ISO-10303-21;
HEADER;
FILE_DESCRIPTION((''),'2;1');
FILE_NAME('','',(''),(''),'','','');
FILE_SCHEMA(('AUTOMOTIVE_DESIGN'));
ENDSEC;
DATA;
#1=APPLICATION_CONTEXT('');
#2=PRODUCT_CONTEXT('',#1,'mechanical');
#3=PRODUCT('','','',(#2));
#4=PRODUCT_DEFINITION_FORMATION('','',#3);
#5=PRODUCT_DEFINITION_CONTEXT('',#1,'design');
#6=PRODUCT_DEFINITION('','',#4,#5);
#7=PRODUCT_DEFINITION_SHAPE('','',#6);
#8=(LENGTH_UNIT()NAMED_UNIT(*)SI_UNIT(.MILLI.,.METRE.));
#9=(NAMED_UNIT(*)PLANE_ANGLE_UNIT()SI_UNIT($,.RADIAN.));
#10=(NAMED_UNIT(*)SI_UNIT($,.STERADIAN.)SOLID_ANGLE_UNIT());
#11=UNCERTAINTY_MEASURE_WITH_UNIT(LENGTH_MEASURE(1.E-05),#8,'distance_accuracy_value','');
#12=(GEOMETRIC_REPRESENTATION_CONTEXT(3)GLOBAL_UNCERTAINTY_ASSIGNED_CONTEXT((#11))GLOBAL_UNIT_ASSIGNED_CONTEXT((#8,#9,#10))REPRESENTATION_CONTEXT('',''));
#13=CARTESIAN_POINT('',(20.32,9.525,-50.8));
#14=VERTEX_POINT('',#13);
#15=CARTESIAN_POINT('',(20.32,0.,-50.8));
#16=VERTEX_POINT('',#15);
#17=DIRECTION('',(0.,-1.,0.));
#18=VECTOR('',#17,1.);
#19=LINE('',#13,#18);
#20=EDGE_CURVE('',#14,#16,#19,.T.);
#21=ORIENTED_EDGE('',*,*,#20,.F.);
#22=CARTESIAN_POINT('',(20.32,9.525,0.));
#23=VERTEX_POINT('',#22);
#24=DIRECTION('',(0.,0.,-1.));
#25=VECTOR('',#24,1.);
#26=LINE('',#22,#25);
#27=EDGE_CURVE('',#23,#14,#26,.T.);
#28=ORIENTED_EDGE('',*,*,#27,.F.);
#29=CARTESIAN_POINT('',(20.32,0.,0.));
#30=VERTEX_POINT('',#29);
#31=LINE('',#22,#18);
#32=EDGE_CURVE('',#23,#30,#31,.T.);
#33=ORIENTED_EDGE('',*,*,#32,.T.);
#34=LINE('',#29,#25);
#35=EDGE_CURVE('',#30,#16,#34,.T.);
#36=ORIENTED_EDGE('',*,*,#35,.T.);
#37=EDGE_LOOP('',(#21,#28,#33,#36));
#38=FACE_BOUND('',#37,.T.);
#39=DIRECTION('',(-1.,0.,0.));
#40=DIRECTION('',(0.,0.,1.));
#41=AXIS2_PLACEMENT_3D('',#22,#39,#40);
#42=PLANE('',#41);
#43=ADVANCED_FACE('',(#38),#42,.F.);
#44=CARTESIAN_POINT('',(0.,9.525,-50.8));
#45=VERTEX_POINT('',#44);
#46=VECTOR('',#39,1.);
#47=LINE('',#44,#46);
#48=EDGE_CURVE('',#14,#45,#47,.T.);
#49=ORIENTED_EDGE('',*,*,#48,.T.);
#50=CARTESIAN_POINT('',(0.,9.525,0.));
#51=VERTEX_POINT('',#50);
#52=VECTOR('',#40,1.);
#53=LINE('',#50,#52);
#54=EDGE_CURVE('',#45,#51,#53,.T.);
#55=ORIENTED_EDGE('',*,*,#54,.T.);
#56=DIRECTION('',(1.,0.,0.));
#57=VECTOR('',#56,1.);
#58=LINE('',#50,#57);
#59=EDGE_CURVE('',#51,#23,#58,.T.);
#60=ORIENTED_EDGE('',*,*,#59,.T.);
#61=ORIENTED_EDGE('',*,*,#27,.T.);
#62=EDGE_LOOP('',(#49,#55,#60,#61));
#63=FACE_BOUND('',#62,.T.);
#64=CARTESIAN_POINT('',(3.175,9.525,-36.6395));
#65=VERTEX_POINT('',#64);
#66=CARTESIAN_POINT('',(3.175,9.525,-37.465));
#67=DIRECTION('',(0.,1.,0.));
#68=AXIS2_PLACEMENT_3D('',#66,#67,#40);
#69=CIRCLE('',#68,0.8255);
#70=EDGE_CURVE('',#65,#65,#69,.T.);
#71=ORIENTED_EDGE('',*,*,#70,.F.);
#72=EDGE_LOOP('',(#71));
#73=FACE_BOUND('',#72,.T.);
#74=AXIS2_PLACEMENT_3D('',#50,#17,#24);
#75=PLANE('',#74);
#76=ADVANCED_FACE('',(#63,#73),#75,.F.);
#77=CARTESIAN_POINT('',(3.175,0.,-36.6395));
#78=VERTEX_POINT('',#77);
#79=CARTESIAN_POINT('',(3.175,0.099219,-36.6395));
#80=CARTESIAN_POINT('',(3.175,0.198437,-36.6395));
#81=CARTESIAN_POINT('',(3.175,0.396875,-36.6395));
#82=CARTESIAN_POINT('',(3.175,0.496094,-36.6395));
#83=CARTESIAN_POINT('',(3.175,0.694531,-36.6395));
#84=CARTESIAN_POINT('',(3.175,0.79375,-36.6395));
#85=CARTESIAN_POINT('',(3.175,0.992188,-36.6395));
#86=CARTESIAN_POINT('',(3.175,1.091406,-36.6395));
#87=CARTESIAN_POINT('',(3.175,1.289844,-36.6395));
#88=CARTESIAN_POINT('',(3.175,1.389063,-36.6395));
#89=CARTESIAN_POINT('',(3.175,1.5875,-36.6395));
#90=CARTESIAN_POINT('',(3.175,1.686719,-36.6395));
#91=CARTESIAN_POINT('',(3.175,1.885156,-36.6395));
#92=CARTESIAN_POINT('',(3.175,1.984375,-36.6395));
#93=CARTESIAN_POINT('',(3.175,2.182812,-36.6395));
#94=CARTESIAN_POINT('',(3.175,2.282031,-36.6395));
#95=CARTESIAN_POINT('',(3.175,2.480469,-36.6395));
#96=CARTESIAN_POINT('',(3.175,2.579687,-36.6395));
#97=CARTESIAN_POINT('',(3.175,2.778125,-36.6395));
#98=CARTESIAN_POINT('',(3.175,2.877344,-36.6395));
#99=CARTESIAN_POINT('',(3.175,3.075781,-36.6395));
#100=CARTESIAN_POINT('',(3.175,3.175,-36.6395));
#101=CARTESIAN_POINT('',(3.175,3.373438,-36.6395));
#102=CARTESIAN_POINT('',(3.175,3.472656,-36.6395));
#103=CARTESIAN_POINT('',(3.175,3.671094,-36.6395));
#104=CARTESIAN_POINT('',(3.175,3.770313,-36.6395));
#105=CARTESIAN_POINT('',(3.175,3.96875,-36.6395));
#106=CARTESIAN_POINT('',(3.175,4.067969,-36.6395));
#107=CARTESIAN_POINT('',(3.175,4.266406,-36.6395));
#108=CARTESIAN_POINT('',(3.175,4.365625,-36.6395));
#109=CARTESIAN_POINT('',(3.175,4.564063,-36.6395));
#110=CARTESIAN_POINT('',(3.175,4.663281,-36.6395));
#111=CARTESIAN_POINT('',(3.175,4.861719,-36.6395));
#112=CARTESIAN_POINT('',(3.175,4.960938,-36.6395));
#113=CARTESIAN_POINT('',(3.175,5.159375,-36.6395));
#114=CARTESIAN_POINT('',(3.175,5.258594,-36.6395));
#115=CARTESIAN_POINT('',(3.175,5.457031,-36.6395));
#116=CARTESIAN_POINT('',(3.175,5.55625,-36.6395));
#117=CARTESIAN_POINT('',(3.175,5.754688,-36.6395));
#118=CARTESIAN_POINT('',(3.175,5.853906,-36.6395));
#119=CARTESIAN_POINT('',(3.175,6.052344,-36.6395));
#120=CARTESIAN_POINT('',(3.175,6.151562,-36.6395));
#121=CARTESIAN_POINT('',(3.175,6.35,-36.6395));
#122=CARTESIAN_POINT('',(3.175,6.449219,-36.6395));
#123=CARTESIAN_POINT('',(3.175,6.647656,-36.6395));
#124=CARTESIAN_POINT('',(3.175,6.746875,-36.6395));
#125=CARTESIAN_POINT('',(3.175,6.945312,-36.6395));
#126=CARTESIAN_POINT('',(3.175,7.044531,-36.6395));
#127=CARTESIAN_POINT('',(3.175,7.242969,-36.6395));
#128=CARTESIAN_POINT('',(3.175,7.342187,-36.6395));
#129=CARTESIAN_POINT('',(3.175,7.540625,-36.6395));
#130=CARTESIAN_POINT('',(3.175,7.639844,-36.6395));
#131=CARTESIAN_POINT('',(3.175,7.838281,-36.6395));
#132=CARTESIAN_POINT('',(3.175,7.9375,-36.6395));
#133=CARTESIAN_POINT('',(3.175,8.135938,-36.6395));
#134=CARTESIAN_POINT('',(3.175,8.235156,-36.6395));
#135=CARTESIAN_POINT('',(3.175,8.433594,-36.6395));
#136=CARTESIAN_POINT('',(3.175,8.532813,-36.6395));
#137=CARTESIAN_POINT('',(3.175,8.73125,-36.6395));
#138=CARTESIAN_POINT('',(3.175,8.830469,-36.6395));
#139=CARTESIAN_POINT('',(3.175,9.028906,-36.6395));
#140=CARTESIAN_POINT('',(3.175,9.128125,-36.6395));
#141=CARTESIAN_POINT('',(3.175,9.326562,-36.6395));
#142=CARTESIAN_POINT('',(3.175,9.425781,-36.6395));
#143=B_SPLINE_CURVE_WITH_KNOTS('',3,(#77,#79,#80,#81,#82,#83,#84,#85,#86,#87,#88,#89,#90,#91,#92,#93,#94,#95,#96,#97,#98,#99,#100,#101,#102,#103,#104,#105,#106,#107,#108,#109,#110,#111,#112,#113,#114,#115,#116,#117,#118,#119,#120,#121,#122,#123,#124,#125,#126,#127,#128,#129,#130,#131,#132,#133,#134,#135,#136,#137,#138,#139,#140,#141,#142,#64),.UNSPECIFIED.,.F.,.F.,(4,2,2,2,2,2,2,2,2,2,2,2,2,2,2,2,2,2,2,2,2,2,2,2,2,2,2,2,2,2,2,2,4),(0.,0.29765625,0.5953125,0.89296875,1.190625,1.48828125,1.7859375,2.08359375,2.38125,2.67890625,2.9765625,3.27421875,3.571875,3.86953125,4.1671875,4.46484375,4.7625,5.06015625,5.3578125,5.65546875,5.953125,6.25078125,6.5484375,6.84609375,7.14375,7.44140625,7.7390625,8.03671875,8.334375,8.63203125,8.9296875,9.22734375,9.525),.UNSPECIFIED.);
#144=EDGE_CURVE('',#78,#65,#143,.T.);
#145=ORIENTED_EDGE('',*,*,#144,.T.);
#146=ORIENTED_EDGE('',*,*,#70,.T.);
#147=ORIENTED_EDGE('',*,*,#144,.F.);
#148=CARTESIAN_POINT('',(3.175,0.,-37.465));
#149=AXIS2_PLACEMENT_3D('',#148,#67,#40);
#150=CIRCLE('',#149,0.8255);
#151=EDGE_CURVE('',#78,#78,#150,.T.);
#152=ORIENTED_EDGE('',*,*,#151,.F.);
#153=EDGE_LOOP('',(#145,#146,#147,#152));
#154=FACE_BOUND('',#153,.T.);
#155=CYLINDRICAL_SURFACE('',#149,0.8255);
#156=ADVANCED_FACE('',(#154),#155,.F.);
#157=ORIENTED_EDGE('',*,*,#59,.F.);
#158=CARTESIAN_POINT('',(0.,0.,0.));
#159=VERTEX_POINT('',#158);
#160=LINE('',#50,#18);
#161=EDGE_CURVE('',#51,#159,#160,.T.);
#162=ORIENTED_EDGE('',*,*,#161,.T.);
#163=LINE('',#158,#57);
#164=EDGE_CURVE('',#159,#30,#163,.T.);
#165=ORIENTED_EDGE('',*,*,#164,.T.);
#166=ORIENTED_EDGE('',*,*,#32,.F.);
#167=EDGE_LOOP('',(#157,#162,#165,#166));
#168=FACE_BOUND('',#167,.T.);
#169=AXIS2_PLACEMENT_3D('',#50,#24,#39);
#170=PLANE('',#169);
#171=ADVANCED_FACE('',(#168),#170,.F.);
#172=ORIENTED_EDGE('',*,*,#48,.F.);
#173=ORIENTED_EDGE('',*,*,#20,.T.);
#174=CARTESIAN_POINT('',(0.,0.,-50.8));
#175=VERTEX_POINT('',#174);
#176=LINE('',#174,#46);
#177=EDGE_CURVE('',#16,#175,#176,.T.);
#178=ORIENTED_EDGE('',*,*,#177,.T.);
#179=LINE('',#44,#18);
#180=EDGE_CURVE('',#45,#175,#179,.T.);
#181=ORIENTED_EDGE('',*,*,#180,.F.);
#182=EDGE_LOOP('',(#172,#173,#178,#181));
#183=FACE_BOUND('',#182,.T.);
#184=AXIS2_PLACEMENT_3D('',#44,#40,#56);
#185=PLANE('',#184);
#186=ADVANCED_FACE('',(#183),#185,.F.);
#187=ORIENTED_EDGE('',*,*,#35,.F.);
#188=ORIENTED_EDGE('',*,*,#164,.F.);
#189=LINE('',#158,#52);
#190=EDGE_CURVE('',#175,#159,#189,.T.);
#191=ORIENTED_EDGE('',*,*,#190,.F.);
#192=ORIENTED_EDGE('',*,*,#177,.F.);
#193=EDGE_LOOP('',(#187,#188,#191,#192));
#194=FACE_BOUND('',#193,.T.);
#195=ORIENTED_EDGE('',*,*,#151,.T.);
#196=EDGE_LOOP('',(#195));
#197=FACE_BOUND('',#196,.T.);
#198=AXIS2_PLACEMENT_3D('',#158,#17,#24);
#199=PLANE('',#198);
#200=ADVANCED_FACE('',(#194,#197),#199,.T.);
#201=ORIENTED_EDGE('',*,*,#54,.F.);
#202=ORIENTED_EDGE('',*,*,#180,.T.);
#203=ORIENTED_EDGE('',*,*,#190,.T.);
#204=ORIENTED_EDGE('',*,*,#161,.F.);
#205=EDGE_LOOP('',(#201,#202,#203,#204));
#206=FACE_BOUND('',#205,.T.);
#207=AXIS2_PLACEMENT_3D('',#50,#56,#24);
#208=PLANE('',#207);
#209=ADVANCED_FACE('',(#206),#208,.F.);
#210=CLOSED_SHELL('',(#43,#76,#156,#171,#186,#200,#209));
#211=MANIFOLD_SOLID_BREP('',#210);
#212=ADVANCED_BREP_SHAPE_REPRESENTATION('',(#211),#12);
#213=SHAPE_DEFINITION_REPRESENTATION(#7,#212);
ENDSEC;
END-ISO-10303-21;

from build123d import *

# Parameters (mm, degrees)
SKETCH1_W           = 20.32
SKETCH1_H           = 50.8
BOSS_EXTRUDE1_DEPTH = 9.525
SKETCH2_R           = 0.8255
CUT_EXTRUDE1_DEPTH  = 56.536186626


with BuildPart() as part:
    # Sketch1 → Boss-Extrude1 (new body)
    with BuildSketch(Plane(origin=(0, 0, 0), x_dir=(1, 0, 0), z_dir=(0, 1, 0))):
        with Locations((10.16, 25.4)):
            Rectangle(SKETCH1_W, SKETCH1_H)
    extrude(amount=BOSS_EXTRUDE1_DEPTH)

    # Sketch2 → Cut-Extrude1 (cut, through all)
    with BuildSketch(Plane(origin=(0, 9.525, 0), x_dir=(1, 0, 0), z_dir=(0, 1, 0))):
        with Locations(Location((3.175, 37.465, 0), (0, 0, 270))):
            Circle(SKETCH2_R)
    extrude(amount=-CUT_EXTRUDE1_DEPTH, mode=Mode.SUBTRACT)


solid = part.part
